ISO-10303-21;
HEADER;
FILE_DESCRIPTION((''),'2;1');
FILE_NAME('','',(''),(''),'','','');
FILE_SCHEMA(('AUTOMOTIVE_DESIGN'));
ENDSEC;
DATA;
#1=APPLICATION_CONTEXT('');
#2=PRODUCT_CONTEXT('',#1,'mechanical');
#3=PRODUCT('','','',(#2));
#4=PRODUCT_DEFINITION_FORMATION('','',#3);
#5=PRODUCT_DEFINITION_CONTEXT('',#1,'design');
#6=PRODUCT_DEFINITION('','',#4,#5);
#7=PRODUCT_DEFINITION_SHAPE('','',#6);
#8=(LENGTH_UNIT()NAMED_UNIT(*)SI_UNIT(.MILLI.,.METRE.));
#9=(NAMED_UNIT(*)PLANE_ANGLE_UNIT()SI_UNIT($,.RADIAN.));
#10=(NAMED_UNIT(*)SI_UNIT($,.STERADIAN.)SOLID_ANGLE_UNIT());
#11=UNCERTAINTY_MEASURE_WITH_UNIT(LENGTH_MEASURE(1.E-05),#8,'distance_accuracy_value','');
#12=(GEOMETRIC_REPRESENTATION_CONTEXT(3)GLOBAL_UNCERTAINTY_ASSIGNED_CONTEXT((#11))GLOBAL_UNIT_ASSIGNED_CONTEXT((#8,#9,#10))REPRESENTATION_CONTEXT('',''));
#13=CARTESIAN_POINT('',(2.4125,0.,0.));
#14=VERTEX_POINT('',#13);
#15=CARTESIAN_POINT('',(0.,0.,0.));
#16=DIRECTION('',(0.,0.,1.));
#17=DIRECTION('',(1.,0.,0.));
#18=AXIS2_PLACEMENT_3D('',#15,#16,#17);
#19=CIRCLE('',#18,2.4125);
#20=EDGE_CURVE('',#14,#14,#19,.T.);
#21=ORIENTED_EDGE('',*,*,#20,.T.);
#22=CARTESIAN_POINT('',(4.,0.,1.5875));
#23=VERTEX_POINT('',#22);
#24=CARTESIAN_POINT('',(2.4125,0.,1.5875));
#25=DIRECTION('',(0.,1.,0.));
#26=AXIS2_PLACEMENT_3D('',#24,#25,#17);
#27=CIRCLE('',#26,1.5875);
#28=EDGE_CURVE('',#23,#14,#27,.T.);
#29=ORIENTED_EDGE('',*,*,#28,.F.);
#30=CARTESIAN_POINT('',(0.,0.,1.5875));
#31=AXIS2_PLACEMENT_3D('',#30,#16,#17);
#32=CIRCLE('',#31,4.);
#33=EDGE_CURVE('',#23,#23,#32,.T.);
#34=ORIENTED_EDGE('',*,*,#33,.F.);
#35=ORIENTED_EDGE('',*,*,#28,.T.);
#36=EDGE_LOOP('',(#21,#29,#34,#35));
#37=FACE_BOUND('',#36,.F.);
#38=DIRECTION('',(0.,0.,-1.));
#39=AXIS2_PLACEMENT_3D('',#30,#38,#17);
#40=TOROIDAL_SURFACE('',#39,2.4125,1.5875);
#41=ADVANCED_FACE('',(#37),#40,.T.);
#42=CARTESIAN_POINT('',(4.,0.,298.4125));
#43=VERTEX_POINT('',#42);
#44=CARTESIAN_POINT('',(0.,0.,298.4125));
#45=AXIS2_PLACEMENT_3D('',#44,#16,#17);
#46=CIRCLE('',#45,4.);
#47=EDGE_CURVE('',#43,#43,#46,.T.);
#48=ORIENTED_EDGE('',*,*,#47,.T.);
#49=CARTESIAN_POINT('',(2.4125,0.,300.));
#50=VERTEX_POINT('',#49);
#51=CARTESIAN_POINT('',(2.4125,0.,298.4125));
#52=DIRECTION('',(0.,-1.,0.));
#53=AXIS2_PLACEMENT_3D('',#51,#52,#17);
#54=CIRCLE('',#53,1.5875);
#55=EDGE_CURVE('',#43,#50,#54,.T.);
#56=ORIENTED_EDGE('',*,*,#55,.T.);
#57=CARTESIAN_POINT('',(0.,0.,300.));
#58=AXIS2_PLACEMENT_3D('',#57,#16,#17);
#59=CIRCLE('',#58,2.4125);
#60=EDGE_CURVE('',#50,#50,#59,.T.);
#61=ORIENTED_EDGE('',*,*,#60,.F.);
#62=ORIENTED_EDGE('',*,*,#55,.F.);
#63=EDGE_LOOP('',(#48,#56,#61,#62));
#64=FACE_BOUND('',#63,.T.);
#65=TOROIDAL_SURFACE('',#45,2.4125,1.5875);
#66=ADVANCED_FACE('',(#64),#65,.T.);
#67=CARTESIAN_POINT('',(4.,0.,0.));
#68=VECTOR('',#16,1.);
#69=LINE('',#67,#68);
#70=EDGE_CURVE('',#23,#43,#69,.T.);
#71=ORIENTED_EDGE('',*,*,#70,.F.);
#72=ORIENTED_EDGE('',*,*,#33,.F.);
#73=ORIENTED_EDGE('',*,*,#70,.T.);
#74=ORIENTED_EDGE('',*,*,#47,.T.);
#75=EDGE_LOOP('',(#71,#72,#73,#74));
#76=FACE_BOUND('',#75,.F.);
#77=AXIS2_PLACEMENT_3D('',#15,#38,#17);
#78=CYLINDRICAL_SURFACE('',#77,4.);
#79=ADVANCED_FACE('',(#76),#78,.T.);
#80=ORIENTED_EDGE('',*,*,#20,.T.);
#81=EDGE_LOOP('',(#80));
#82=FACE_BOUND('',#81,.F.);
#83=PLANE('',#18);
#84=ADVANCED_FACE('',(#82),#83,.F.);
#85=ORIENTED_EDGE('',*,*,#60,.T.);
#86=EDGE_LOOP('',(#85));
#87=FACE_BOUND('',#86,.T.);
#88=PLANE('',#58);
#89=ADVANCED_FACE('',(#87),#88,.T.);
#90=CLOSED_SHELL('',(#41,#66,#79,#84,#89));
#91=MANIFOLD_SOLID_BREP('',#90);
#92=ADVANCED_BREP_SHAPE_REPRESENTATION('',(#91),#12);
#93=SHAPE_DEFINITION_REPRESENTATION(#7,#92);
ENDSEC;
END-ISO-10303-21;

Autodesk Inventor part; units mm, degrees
ref_plane "YZ Plane" through (0, 0, 0) normal (1, 0, 0) x (0, 1, 0)
ref_plane "XZ Plane" through (0, 0, 0) normal (0, 1, 0) x (-1, 0, 0)
ref_plane "XY Plane" through (0, 0, 0) normal (0, 0, 1) x (1, 0, 0)
sketch "Sketch1" plane through (0, 0, 0) normal (0, 0, 1) x (1, 0, 0)
  circle A0 centre (0, 0) radius 4
  dimension "d0" = 8
extrude "Extrusion1" add sketch "Sketch1" along normal blind 300
thread "Thread1" size "M8x1.25" class "6g" standard "ANSI Metric M Profile" full length
fillet "Fillet1" radius 1.5875 2 edges at (-4, 0, 0) (-4, 0, 300)
properties part number "S2_ZSCREW"
